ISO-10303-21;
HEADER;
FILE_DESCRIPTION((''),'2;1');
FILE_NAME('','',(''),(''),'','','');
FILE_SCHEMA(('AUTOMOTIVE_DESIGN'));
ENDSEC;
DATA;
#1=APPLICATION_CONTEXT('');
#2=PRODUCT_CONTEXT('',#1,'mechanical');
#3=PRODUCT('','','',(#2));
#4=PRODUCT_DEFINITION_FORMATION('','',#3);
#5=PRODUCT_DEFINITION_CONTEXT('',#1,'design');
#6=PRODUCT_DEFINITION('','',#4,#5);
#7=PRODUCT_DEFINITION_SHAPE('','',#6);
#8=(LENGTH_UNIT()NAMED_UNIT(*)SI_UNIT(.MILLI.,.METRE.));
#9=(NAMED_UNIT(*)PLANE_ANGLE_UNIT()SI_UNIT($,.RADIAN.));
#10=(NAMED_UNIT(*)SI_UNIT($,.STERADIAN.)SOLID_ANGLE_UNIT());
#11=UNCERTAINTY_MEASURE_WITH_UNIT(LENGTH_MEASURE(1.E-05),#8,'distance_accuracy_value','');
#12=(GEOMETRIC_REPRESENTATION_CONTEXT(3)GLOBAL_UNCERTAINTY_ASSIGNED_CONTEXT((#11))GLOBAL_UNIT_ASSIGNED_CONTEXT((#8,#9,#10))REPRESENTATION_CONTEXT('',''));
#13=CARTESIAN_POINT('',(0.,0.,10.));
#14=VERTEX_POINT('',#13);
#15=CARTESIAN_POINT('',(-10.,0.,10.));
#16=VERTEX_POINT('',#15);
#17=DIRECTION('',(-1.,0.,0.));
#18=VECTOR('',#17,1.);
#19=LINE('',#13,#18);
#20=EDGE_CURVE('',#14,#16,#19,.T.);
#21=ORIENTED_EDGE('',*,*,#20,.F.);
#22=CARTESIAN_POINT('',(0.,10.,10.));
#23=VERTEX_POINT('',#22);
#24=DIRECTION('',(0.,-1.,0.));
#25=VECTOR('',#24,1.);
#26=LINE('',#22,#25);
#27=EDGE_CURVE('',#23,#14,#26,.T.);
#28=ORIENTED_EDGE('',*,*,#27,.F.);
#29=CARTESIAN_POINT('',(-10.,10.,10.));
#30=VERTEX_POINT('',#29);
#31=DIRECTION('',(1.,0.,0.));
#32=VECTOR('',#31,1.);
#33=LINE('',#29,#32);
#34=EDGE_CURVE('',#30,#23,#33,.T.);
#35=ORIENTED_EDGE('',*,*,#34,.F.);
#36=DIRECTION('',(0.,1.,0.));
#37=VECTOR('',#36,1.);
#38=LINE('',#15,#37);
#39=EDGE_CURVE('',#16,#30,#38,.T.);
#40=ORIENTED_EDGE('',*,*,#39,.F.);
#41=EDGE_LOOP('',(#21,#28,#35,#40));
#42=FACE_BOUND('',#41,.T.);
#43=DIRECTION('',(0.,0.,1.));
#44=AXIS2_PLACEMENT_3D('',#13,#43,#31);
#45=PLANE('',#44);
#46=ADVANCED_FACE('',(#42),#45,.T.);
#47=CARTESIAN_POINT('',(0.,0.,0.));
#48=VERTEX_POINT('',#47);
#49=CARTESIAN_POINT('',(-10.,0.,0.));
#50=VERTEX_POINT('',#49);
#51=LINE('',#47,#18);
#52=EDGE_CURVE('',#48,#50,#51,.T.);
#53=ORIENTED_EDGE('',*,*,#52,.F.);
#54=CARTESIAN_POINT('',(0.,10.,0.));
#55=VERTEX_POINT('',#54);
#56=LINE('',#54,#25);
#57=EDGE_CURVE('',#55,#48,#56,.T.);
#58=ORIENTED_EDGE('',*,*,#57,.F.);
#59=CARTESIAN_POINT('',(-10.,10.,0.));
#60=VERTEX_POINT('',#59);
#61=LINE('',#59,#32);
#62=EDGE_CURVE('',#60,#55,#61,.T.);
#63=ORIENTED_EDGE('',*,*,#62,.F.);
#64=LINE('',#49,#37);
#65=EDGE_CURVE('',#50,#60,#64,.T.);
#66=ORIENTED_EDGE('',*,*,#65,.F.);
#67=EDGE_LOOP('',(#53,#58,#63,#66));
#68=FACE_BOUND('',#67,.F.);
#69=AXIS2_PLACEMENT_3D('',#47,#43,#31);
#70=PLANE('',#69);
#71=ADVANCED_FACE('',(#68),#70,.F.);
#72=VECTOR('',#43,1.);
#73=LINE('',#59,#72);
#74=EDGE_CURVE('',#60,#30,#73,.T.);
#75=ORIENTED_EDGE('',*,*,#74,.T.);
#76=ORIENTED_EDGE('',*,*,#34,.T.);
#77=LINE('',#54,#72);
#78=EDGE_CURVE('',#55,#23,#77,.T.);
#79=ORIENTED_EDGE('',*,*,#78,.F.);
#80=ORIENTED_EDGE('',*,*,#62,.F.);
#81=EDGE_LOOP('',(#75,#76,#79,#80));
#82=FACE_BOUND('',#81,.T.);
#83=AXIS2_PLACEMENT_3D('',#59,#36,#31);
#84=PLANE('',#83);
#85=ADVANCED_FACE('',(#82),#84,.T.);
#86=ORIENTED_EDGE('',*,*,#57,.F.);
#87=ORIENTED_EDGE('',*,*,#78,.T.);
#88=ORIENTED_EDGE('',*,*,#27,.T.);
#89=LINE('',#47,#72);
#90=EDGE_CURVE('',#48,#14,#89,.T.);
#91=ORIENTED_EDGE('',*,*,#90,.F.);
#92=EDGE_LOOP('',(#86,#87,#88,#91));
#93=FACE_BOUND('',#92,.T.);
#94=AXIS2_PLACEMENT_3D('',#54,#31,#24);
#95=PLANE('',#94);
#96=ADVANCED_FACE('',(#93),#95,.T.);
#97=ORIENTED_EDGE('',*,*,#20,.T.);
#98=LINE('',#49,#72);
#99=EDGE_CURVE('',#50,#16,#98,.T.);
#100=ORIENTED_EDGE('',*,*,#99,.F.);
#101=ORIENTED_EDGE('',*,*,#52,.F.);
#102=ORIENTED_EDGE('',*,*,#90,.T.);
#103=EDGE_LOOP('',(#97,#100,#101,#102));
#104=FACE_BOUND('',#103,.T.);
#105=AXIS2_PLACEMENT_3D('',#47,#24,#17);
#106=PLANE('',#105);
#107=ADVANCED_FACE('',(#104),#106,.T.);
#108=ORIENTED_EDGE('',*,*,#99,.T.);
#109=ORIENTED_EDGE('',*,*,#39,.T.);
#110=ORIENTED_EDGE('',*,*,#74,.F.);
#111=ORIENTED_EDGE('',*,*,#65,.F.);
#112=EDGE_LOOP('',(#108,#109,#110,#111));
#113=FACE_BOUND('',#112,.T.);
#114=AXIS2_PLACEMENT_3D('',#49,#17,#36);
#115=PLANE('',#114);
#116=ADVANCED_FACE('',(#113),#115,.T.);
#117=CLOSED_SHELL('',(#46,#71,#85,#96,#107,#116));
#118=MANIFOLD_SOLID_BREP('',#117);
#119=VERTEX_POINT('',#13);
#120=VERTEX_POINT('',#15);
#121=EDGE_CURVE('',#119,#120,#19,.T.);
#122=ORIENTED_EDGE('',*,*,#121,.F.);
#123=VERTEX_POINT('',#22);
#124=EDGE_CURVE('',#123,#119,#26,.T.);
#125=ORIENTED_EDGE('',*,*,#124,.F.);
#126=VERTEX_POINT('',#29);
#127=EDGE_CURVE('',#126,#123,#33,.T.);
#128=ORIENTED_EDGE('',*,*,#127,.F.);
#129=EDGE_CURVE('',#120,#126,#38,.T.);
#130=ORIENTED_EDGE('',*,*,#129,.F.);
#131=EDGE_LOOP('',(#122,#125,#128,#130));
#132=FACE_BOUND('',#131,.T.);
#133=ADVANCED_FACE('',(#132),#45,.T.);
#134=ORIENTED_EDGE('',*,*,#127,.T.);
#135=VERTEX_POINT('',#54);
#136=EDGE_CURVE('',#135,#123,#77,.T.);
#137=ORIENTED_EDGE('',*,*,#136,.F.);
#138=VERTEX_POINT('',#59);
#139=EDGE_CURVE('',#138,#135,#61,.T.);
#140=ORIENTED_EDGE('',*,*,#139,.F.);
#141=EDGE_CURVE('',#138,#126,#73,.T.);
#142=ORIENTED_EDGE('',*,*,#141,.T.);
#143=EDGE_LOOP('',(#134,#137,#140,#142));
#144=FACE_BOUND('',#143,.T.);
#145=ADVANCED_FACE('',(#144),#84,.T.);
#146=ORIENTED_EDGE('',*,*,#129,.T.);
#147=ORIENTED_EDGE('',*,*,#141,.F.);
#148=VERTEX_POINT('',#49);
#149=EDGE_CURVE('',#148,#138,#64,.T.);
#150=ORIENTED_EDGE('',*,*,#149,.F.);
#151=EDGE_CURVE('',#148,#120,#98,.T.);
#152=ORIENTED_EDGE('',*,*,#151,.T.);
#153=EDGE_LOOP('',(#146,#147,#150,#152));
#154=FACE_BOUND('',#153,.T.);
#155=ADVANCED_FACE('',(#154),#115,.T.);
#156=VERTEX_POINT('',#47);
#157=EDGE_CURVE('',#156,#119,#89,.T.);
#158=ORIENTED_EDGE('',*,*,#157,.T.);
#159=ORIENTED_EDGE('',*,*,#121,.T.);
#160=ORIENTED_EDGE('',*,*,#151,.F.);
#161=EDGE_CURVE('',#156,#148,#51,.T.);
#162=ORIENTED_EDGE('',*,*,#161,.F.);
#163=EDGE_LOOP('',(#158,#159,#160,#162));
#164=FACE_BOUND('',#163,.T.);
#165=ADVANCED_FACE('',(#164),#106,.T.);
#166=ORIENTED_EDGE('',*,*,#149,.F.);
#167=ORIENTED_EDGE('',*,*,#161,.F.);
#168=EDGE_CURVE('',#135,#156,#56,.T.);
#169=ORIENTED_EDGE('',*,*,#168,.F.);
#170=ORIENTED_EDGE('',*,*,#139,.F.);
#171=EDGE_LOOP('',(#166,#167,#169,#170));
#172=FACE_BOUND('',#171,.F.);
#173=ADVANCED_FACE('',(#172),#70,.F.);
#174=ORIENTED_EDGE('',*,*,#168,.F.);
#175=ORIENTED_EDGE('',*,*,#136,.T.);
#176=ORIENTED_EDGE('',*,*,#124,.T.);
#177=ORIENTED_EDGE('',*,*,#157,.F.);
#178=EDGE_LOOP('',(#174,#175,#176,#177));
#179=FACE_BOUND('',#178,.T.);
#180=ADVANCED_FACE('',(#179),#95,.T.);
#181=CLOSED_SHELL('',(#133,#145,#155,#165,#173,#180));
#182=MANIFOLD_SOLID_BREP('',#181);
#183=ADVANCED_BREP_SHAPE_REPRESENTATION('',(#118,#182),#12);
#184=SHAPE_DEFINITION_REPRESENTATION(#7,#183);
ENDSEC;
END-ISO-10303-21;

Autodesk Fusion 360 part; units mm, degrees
sketch "Sketch1" plane through (0, 0, 0) normal (0, 0, 1) x (1, 0, 0)
  line L0 (0, 0) -> (-10, 0)
  line L1 (-10, 0) -> (-10, 10)
  line L2 (-10, 10) -> (0, 10)
  line L3 (0, 10) -> (0, 0)
extrude "Extrude1" add sketch "Sketch1" along normal blind 10 makes body 1
extrude "Extrude1'" add sketch "Sketch1" along normal blind 10 separate body makes body 2 in component "Tool"
component "Tool" placed x (1, 0, 0) y (0, 1, 0) z (0, 0, 1) at (0, 0, 0)
